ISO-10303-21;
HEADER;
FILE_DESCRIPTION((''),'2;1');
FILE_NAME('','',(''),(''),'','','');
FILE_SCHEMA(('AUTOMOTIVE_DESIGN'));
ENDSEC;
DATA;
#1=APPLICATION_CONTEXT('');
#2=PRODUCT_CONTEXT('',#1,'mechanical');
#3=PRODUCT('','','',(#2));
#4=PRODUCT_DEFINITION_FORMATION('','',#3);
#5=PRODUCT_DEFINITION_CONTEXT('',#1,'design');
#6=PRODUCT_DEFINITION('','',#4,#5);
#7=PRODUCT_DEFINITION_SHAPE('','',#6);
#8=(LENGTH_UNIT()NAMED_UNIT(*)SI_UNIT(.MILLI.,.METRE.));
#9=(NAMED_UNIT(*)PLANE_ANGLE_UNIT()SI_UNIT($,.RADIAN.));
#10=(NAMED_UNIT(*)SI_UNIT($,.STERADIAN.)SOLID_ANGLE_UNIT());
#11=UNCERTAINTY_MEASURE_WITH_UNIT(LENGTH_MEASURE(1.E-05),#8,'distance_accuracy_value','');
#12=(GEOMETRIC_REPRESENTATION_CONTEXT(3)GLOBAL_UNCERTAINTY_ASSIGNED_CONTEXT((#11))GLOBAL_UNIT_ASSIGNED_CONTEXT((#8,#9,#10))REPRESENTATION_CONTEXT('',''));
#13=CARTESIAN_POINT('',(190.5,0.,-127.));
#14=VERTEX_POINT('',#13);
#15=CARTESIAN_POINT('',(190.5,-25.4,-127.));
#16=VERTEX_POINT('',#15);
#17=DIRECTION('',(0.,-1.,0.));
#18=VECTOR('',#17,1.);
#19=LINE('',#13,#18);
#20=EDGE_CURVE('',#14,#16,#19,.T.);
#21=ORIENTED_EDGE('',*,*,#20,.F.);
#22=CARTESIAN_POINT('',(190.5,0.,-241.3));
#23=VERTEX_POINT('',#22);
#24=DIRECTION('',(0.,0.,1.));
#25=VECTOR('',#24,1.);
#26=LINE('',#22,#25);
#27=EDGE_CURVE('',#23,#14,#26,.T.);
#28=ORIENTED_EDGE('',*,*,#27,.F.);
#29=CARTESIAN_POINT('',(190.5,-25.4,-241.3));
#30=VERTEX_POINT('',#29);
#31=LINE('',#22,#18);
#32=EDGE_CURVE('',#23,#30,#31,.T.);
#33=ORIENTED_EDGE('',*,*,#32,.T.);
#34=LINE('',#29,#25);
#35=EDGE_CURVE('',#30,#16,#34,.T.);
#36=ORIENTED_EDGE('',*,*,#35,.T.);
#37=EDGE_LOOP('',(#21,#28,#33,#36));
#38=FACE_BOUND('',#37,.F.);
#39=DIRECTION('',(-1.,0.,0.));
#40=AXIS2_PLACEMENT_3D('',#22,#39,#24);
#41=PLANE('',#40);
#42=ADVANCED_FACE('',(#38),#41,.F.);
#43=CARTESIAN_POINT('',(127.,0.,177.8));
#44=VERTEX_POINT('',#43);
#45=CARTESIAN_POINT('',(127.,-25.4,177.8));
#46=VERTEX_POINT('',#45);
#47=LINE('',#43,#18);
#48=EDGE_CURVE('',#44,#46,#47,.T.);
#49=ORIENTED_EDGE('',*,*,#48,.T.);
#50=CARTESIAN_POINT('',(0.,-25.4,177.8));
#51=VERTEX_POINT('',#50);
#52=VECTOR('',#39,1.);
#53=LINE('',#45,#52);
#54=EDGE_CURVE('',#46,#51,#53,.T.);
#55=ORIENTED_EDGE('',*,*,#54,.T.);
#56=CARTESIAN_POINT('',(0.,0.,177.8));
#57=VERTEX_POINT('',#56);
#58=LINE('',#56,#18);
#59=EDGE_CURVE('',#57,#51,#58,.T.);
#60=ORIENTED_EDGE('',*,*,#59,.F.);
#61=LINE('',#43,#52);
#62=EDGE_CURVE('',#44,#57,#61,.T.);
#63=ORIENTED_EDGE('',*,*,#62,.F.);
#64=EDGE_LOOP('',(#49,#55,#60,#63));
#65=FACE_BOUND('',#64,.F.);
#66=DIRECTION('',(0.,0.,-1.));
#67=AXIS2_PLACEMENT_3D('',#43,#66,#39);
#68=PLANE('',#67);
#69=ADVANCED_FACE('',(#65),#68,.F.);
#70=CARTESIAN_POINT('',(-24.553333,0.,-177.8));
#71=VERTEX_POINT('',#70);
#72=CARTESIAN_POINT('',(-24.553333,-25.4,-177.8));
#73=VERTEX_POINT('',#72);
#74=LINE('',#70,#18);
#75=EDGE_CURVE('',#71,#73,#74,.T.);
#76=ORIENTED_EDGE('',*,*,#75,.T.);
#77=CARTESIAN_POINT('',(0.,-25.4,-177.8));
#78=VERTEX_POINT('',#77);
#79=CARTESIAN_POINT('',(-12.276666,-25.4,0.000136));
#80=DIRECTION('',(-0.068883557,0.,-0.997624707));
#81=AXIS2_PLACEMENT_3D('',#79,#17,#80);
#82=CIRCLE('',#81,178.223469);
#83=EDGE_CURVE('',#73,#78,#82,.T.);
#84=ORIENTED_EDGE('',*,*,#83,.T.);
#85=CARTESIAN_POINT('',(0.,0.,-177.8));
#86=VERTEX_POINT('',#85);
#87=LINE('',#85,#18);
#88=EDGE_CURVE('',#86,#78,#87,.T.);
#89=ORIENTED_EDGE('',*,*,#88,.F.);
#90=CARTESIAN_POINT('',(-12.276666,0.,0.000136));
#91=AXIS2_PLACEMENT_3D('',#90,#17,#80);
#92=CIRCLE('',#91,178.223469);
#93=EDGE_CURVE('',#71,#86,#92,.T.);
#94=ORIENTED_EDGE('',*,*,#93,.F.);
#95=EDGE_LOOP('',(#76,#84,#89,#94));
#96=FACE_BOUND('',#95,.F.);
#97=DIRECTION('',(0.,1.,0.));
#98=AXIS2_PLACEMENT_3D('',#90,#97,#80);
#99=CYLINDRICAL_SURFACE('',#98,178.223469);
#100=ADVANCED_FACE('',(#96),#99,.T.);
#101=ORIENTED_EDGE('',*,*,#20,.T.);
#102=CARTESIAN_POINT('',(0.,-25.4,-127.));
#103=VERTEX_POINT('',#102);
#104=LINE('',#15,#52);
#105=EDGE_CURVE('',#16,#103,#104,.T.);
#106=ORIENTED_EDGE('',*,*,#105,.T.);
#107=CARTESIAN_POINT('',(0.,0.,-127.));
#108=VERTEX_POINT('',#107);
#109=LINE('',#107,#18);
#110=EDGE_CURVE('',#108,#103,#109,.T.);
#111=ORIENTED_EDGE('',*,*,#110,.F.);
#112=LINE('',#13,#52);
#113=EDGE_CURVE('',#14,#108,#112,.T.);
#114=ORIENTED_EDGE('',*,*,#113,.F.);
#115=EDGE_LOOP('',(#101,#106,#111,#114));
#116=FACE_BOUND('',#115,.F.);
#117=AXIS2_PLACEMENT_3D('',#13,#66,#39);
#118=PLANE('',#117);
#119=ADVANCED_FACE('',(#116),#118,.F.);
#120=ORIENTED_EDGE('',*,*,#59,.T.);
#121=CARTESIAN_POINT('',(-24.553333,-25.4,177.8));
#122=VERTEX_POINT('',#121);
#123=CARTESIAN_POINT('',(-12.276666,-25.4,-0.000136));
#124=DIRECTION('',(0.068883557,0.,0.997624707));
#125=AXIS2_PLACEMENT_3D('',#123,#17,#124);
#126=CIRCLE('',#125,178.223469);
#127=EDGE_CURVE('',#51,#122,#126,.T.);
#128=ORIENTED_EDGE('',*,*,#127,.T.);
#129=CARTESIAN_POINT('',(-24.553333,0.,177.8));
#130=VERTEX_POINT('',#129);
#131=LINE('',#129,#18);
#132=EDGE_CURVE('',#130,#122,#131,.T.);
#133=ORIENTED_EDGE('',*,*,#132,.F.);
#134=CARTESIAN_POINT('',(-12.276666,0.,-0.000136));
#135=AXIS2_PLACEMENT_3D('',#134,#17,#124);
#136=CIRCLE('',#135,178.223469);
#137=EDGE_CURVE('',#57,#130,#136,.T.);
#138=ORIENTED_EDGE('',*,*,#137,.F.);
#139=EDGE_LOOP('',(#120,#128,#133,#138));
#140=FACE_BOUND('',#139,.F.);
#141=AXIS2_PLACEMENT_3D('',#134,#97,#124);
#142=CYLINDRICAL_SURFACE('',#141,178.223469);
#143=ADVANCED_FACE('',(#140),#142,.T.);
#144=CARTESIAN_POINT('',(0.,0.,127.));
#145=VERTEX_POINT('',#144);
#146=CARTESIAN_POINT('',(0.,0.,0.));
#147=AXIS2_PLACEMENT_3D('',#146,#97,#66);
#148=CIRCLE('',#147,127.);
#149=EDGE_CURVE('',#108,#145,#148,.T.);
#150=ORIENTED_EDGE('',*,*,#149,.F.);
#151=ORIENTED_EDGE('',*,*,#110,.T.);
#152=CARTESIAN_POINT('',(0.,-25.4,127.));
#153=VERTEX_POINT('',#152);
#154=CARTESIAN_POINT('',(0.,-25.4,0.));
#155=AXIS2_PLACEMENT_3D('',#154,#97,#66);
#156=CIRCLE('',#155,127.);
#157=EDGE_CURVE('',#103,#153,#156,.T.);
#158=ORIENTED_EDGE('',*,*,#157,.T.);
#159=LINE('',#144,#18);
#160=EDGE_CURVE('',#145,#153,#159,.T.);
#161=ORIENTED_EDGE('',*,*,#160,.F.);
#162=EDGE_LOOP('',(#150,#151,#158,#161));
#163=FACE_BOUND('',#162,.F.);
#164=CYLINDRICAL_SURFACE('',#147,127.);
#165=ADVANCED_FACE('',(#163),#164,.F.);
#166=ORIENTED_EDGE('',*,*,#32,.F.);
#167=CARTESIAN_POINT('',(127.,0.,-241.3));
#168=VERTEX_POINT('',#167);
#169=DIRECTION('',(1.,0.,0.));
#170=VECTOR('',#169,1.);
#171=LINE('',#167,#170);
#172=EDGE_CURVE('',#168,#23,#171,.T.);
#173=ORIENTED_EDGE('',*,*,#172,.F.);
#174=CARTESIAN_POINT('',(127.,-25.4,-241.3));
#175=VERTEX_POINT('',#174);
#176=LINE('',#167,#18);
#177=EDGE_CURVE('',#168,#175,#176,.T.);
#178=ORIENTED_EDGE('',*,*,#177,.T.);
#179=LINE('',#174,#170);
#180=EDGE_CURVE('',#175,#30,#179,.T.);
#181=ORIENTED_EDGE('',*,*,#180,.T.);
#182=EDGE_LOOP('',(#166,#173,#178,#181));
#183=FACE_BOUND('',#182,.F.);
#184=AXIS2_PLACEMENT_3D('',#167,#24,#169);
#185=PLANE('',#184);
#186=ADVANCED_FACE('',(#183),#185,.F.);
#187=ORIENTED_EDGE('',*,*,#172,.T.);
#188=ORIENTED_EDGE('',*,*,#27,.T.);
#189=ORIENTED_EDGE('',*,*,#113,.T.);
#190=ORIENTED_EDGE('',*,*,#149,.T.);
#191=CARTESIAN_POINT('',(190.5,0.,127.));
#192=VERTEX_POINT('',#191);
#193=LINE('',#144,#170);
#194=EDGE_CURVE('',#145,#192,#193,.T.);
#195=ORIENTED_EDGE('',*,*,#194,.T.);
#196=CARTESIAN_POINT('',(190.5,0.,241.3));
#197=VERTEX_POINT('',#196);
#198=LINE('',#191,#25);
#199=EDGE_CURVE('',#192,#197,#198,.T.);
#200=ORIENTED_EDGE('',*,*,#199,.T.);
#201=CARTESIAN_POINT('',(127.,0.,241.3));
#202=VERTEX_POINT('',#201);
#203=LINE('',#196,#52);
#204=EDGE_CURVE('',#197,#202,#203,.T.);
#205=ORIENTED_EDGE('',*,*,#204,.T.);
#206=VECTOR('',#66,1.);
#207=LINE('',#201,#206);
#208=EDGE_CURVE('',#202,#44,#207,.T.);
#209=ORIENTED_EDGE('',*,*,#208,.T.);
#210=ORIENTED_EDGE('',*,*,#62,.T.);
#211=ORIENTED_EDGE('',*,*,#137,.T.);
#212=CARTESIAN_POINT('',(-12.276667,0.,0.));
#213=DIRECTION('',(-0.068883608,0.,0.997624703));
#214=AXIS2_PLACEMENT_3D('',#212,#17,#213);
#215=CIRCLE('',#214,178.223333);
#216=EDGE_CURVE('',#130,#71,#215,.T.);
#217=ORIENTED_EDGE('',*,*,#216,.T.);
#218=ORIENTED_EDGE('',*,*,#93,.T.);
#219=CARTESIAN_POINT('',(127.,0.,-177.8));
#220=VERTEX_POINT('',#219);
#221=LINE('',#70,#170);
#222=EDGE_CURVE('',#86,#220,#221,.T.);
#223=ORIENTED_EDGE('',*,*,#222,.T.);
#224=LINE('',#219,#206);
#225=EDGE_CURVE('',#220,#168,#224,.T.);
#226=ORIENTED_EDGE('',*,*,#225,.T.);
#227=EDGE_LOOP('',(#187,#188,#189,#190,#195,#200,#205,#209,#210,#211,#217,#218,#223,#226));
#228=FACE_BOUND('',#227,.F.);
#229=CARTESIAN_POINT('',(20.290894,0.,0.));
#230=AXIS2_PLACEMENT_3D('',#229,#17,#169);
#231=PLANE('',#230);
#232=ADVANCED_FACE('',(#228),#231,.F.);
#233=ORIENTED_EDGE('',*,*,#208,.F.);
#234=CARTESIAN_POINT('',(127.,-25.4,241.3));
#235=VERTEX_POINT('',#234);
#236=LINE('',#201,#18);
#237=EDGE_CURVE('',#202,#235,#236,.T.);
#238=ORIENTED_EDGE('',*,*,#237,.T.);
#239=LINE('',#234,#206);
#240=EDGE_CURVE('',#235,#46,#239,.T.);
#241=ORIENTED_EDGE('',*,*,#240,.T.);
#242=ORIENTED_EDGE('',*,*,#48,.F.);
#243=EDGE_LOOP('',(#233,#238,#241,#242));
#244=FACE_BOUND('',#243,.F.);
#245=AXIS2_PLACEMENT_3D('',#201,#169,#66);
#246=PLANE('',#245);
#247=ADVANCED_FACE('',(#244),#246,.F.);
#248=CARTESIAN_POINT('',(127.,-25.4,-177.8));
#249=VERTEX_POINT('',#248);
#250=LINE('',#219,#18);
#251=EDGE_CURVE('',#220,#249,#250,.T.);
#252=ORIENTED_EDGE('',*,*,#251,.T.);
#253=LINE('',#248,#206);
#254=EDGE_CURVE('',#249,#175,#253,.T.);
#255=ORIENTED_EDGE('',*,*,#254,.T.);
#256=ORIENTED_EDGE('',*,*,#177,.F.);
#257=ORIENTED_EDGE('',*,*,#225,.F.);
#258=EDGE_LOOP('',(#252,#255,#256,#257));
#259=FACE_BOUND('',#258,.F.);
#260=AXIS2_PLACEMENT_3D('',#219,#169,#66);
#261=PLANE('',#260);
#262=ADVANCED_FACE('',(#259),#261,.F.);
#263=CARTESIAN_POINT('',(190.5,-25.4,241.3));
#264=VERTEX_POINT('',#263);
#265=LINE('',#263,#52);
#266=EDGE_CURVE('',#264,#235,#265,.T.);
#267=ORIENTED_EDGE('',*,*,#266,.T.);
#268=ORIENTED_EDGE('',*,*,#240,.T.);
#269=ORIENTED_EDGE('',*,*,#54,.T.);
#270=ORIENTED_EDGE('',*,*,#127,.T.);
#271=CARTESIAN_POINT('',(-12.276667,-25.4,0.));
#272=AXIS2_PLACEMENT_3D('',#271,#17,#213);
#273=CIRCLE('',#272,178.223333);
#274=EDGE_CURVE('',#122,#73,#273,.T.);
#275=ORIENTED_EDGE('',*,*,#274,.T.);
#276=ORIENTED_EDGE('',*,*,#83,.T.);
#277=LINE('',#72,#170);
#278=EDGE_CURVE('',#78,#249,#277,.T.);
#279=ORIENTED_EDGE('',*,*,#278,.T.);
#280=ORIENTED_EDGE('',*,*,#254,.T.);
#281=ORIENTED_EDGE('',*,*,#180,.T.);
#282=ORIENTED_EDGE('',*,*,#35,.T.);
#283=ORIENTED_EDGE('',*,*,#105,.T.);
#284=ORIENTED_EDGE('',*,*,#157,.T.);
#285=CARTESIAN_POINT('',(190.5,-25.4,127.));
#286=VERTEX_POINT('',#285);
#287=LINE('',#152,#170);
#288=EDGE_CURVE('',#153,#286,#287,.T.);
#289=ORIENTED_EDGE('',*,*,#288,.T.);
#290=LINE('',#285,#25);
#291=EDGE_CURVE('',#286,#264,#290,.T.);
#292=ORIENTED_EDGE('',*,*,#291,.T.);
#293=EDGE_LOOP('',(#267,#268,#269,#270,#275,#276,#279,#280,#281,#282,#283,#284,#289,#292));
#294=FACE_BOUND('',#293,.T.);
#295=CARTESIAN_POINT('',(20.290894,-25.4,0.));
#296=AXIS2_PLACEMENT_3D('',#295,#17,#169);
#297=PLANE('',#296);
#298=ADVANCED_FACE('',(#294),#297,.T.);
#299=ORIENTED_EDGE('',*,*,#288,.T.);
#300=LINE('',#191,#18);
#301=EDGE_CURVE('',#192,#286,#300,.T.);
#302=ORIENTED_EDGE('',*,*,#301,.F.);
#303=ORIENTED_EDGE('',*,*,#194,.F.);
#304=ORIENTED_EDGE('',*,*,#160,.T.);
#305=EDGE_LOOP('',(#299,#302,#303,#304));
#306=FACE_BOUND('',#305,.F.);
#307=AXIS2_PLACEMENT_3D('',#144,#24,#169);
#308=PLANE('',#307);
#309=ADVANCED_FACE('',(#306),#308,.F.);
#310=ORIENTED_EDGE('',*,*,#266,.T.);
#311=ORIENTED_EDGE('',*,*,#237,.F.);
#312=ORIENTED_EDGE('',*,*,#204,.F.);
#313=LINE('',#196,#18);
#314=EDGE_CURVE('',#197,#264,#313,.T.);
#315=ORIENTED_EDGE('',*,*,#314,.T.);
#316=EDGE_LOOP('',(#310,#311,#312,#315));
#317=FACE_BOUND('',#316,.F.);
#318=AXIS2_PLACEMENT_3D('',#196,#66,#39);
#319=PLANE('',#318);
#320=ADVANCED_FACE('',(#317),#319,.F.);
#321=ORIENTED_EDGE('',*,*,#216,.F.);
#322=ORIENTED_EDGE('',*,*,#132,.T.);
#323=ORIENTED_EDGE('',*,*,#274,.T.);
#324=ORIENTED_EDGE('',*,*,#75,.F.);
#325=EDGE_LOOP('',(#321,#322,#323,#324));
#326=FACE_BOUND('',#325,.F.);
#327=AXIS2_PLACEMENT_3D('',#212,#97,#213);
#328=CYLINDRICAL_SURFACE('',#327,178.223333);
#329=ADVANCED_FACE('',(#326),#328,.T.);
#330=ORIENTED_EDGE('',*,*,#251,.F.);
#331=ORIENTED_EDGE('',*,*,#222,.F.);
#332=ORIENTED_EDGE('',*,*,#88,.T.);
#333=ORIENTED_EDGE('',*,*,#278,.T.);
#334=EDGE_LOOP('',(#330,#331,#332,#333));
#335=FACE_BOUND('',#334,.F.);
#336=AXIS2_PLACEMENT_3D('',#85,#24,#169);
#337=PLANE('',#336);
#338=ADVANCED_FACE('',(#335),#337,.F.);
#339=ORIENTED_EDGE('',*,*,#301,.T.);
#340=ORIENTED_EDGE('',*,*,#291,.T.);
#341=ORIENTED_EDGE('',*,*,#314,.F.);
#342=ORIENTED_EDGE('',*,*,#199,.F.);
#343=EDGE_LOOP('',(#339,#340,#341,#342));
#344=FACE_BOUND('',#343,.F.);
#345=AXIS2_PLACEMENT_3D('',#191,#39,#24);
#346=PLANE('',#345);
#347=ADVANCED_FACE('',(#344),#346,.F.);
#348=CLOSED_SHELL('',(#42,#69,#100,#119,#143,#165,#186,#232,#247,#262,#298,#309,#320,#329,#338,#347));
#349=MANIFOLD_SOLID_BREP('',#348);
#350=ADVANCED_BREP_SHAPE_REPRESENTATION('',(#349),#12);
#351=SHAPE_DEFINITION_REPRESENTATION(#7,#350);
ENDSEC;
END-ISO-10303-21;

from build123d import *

# Parameters (mm, degrees)
F1_DEPTH = 25.4


with BuildPart() as f1:
    # F0 (on Front) → F1 (new body)
    with BuildSketch(Plane.XZ):
        with BuildLine():
            Line((0, -177.8), (127, -177.8))
            Line((127, -177.8), (127, -241.3))
            Line((127, -241.3), (190.5, -241.3))
            Line((190.5, -241.3), (190.5, -177.8))
            Line((190.5, -177.8), (190.5, -127))
            Line((190.5, -127), (0, -127))
            ThreePointArc((0, -127), (-127, 0), (0, 127))
            Line((0, 127), (190.5, 127))
            Line((190.5, 127), (190.5, 177.8))
            Line((190.5, 177.8), (190.5, 241.3))
            Line((190.5, 241.3), (127, 241.3))
            Line((127, 241.3), (127, 177.8))
            Line((127, 177.8), (0, 177.8))
            Line((0, 177.8), (-24.553333, 177.8))
            ThreePointArc((-24.553333, 177.8), (-190.5, 0), (-24.553333, -177.8))
            Line((-24.553333, -177.8), (0, -177.8))
        make_face()
        with BuildLine():
            ThreePointArc((-24.553333, -177.8), (-12.276667, -178.223333), (0, -177.8))
            Line((0, -177.8), (-24.553333, -177.8))
        make_face()
        with BuildLine():
            ThreePointArc((0, 177.8), (-12.276667, 178.223333), (-24.553333, 177.8))
            Line((-24.553333, 177.8), (0, 177.8))
        make_face()
    extrude(amount=F1_DEPTH)


solid = f1.part
